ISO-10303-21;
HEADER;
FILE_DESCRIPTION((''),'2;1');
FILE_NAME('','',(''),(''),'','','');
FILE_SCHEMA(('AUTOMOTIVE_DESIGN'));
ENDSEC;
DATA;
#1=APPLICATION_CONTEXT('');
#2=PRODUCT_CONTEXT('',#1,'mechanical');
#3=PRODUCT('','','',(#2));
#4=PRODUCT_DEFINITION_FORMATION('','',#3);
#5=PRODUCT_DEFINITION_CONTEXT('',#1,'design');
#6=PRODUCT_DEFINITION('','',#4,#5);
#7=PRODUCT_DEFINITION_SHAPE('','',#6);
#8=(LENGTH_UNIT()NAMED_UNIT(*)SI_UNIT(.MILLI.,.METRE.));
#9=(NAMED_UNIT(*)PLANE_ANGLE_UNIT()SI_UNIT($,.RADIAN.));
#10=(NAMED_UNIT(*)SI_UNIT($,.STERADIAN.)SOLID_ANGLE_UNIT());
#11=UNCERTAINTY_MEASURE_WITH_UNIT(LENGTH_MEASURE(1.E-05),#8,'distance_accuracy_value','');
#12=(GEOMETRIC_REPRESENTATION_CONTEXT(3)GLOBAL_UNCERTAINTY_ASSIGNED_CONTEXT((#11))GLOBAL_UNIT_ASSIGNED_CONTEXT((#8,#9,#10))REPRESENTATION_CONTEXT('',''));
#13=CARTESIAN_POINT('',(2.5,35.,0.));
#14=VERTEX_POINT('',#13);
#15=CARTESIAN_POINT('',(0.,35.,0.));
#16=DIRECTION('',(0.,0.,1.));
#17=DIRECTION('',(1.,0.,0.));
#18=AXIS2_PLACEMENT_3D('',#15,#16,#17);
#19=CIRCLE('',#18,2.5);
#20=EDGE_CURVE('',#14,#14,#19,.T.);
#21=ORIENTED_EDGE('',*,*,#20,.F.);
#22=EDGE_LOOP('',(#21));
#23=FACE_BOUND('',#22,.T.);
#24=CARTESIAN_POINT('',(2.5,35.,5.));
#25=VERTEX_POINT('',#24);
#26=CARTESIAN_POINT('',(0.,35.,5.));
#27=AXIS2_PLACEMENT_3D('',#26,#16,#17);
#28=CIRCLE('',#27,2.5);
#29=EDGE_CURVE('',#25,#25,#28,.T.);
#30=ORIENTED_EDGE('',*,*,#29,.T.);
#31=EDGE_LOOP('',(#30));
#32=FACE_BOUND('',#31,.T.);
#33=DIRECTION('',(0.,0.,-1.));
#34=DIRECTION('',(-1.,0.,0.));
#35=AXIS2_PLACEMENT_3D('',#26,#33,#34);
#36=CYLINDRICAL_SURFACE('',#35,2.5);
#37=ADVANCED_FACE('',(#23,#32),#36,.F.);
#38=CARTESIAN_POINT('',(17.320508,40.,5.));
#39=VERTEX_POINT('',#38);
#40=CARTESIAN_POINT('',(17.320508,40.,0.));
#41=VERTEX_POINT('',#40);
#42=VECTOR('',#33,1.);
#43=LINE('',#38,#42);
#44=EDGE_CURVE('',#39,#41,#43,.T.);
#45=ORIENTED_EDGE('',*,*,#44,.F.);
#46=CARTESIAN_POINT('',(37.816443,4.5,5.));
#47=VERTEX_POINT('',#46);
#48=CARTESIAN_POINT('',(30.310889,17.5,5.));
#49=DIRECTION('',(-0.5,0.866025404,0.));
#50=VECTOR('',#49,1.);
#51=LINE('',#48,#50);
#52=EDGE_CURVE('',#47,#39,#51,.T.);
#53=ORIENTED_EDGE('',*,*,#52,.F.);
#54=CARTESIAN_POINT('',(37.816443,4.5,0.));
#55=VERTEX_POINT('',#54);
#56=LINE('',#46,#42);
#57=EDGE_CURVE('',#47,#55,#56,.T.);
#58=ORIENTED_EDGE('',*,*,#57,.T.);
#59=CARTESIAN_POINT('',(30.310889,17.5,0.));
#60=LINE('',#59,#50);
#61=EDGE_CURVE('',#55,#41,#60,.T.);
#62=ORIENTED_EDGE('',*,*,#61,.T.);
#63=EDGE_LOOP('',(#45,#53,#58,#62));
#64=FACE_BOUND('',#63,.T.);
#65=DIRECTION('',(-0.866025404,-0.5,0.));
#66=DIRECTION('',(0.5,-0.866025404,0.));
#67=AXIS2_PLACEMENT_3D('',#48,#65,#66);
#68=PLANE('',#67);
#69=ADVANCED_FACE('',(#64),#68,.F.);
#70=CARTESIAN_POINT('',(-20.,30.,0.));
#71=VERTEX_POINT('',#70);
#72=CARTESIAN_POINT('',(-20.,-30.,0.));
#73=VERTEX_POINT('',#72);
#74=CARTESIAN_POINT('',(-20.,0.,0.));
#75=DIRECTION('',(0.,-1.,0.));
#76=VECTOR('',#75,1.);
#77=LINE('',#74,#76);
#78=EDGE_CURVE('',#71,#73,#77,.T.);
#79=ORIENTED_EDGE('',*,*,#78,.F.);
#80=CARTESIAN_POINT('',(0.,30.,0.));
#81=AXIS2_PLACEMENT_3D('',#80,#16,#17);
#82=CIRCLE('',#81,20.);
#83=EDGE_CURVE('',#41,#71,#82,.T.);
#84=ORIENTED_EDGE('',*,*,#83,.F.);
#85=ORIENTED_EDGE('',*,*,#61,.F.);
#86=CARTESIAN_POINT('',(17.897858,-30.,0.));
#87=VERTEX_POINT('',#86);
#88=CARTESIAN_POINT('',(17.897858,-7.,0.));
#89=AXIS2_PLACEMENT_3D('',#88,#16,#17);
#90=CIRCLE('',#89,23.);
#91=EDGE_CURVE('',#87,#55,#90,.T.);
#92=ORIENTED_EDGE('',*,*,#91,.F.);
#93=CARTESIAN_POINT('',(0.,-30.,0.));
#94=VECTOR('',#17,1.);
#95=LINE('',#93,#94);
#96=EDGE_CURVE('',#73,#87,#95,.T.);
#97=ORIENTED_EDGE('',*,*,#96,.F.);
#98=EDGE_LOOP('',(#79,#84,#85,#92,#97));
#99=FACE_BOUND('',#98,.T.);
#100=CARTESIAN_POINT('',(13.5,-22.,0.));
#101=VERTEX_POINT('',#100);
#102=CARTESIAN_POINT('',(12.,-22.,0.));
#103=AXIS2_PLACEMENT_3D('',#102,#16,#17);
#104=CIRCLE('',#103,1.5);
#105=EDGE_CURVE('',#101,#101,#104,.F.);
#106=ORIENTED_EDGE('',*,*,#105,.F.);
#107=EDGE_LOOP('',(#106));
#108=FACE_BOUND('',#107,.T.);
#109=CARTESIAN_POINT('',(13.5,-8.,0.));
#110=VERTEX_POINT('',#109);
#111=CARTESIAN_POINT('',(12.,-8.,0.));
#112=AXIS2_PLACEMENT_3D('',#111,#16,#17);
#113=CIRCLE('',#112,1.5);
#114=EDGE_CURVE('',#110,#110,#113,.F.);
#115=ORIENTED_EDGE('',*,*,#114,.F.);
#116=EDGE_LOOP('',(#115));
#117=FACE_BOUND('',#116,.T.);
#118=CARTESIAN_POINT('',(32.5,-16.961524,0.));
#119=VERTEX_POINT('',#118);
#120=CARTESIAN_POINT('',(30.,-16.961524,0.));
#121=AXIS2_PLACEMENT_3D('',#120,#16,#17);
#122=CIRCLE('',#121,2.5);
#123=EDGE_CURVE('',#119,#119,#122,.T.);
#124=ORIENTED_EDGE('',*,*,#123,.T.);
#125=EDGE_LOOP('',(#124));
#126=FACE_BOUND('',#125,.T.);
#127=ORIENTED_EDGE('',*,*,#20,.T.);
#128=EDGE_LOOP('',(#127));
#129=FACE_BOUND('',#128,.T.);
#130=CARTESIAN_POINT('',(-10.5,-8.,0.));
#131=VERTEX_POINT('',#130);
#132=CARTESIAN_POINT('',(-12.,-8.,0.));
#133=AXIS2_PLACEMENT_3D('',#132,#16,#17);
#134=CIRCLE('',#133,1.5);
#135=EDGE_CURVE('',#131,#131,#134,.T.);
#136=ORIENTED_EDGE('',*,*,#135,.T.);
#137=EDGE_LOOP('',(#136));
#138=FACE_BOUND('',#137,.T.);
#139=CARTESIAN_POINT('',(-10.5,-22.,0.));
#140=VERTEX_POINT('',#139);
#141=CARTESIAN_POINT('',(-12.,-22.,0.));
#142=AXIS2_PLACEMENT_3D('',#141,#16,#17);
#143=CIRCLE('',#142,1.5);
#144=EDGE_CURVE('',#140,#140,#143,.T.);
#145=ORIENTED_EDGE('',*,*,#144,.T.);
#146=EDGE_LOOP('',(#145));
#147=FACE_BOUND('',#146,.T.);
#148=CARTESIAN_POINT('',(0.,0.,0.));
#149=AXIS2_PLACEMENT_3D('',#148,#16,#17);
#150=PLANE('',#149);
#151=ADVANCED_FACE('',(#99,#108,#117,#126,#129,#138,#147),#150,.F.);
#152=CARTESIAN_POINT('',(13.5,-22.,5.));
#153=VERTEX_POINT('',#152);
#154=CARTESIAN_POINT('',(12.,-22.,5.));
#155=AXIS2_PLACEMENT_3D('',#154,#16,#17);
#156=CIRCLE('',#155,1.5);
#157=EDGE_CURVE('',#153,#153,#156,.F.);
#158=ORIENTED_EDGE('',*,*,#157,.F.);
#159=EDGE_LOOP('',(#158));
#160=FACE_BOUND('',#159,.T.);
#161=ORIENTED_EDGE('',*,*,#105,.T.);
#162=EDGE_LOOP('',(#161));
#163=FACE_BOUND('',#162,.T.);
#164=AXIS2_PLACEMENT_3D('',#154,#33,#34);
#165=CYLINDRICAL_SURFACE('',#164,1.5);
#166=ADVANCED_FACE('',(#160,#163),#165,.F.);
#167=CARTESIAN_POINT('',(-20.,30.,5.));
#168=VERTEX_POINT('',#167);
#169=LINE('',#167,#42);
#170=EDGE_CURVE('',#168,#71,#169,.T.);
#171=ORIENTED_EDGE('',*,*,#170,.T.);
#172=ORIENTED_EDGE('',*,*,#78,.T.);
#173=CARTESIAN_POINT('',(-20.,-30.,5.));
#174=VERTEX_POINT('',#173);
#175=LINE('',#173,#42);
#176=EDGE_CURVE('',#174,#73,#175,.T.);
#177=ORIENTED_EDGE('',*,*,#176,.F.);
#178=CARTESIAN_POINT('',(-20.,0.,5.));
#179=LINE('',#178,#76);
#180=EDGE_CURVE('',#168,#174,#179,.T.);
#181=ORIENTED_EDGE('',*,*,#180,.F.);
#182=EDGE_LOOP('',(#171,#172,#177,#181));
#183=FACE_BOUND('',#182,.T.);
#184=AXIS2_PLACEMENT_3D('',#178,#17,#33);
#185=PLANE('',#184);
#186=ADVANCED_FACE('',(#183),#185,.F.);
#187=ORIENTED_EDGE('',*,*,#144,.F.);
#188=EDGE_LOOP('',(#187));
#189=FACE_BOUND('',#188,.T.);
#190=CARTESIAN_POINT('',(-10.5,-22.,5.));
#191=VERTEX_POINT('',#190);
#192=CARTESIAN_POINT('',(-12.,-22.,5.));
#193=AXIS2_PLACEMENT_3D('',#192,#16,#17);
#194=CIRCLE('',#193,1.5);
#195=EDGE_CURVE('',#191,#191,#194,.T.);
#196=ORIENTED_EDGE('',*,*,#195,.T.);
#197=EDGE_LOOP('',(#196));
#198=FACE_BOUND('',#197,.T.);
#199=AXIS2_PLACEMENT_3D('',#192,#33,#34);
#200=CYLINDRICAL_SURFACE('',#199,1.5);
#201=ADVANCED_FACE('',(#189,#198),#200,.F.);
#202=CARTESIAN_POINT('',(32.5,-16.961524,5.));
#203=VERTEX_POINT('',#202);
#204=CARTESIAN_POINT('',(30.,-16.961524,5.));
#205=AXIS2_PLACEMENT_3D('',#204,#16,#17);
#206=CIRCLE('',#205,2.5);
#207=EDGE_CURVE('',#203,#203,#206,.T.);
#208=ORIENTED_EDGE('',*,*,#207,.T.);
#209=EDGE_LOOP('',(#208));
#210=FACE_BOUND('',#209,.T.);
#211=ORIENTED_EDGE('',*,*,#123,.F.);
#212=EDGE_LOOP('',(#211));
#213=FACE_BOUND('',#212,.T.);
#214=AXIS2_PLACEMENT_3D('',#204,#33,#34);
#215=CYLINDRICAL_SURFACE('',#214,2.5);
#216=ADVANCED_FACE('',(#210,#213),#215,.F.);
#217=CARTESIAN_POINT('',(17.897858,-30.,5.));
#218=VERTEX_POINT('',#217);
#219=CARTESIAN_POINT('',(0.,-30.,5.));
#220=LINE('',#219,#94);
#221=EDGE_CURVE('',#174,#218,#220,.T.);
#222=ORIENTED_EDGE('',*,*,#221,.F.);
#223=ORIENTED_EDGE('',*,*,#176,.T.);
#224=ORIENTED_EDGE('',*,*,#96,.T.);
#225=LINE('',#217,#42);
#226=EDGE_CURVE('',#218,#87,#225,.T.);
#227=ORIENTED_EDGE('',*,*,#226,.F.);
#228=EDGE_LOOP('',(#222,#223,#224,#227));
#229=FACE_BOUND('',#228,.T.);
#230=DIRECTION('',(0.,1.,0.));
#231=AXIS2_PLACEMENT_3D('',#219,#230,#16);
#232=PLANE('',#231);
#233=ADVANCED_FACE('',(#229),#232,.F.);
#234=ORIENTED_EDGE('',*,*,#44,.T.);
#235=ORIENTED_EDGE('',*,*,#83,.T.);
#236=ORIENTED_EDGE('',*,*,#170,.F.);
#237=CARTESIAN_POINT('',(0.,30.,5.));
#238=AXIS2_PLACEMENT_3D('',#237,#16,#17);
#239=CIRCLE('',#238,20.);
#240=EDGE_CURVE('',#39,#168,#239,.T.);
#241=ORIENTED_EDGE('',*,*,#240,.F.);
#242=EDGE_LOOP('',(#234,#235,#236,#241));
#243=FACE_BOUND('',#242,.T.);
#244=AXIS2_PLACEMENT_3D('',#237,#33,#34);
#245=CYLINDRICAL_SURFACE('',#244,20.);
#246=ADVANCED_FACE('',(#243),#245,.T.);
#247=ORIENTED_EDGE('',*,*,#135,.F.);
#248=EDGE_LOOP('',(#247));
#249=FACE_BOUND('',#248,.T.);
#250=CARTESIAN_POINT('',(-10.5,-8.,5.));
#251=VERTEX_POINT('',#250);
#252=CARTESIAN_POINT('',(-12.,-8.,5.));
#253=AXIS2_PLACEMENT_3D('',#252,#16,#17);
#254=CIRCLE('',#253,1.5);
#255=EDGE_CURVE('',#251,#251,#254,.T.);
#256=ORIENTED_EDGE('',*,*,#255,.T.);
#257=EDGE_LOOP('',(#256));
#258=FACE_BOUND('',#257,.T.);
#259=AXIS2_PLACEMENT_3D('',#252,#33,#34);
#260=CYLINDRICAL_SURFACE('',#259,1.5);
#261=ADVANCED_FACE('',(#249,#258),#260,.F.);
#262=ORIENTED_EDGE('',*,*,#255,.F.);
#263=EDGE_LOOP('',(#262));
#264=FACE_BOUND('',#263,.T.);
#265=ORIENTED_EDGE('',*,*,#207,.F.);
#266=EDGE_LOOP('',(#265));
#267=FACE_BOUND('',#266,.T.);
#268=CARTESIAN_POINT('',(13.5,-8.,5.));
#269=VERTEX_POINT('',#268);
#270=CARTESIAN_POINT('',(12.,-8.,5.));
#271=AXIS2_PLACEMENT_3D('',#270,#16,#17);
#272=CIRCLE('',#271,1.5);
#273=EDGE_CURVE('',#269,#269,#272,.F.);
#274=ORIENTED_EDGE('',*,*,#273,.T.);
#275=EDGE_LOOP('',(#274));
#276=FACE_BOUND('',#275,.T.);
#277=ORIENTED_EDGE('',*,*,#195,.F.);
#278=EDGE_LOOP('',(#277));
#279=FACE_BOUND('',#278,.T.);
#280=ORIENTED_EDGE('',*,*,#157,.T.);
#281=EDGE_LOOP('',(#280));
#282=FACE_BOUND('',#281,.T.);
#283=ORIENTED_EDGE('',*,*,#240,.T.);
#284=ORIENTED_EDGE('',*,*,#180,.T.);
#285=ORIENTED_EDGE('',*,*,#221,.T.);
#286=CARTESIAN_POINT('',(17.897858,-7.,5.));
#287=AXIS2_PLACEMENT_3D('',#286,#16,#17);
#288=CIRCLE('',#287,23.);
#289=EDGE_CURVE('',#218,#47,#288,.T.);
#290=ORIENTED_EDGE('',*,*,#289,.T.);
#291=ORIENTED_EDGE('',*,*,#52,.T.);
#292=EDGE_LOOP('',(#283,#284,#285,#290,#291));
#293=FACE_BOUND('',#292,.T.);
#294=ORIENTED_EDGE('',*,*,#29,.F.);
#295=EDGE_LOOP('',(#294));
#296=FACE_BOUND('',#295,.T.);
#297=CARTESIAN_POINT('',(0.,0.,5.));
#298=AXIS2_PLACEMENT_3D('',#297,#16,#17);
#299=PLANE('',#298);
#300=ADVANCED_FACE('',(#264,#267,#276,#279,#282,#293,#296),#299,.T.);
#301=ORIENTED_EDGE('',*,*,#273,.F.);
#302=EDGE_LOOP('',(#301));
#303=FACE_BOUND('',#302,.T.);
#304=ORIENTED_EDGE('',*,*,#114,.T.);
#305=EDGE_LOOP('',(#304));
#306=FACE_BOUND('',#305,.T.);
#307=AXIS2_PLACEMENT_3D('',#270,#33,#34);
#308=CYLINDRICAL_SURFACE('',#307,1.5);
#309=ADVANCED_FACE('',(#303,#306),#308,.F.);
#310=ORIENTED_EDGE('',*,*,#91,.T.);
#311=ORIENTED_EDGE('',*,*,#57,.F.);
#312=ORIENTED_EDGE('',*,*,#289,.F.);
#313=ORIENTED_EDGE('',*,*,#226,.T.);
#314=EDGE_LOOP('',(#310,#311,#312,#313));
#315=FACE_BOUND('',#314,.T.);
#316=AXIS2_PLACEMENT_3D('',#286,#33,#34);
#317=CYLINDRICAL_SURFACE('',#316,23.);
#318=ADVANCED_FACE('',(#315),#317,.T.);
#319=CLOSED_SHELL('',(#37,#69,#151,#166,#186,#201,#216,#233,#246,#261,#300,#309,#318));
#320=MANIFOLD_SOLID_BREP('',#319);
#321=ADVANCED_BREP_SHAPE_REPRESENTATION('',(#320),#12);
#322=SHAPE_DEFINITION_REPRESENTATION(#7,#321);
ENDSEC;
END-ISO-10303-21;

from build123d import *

# Parameters (mm, degrees)
SKETCH_1_R      = 1.5
SKETCH_1_R_2    = 2.5
EXTRUDE_2_DEPTH = 5


with BuildPart() as part:
    # 草圖1 → 填料-伸長2 (new body)
    with BuildSketch(Plane.XY):
        with BuildLine():
            Line((-20, 30), (-20, -30))
            Line((-20, -30), (17.897858345, -30))
            ThreePointArc((17.897858345, -30), (37.816442632, -18.5), (37.816442632, 4.5))
            Line((37.816442632, 4.5), (17.320508076, 40))
            ThreePointArc((17.320508076, 40), (-5.176380902, 49.318516526), (-20, 30))
        make_face()
        with Locations((-12, -8)):
            Circle(SKETCH_1_R, mode=Mode.SUBTRACT)
        with Locations((-12, -22)):
            Circle(SKETCH_1_R, mode=Mode.SUBTRACT)
        with Locations((12, -22)):
            Circle(SKETCH_1_R, mode=Mode.SUBTRACT)
        with Locations((12, -8)):
            Circle(SKETCH_1_R, mode=Mode.SUBTRACT)
        with Locations((0, 35)):
            Circle(SKETCH_1_R_2, mode=Mode.SUBTRACT)
        with Locations((30, -16.961524227)):
            Circle(SKETCH_1_R_2, mode=Mode.SUBTRACT)
    extrude(amount=EXTRUDE_2_DEPTH)


solid = part.part
